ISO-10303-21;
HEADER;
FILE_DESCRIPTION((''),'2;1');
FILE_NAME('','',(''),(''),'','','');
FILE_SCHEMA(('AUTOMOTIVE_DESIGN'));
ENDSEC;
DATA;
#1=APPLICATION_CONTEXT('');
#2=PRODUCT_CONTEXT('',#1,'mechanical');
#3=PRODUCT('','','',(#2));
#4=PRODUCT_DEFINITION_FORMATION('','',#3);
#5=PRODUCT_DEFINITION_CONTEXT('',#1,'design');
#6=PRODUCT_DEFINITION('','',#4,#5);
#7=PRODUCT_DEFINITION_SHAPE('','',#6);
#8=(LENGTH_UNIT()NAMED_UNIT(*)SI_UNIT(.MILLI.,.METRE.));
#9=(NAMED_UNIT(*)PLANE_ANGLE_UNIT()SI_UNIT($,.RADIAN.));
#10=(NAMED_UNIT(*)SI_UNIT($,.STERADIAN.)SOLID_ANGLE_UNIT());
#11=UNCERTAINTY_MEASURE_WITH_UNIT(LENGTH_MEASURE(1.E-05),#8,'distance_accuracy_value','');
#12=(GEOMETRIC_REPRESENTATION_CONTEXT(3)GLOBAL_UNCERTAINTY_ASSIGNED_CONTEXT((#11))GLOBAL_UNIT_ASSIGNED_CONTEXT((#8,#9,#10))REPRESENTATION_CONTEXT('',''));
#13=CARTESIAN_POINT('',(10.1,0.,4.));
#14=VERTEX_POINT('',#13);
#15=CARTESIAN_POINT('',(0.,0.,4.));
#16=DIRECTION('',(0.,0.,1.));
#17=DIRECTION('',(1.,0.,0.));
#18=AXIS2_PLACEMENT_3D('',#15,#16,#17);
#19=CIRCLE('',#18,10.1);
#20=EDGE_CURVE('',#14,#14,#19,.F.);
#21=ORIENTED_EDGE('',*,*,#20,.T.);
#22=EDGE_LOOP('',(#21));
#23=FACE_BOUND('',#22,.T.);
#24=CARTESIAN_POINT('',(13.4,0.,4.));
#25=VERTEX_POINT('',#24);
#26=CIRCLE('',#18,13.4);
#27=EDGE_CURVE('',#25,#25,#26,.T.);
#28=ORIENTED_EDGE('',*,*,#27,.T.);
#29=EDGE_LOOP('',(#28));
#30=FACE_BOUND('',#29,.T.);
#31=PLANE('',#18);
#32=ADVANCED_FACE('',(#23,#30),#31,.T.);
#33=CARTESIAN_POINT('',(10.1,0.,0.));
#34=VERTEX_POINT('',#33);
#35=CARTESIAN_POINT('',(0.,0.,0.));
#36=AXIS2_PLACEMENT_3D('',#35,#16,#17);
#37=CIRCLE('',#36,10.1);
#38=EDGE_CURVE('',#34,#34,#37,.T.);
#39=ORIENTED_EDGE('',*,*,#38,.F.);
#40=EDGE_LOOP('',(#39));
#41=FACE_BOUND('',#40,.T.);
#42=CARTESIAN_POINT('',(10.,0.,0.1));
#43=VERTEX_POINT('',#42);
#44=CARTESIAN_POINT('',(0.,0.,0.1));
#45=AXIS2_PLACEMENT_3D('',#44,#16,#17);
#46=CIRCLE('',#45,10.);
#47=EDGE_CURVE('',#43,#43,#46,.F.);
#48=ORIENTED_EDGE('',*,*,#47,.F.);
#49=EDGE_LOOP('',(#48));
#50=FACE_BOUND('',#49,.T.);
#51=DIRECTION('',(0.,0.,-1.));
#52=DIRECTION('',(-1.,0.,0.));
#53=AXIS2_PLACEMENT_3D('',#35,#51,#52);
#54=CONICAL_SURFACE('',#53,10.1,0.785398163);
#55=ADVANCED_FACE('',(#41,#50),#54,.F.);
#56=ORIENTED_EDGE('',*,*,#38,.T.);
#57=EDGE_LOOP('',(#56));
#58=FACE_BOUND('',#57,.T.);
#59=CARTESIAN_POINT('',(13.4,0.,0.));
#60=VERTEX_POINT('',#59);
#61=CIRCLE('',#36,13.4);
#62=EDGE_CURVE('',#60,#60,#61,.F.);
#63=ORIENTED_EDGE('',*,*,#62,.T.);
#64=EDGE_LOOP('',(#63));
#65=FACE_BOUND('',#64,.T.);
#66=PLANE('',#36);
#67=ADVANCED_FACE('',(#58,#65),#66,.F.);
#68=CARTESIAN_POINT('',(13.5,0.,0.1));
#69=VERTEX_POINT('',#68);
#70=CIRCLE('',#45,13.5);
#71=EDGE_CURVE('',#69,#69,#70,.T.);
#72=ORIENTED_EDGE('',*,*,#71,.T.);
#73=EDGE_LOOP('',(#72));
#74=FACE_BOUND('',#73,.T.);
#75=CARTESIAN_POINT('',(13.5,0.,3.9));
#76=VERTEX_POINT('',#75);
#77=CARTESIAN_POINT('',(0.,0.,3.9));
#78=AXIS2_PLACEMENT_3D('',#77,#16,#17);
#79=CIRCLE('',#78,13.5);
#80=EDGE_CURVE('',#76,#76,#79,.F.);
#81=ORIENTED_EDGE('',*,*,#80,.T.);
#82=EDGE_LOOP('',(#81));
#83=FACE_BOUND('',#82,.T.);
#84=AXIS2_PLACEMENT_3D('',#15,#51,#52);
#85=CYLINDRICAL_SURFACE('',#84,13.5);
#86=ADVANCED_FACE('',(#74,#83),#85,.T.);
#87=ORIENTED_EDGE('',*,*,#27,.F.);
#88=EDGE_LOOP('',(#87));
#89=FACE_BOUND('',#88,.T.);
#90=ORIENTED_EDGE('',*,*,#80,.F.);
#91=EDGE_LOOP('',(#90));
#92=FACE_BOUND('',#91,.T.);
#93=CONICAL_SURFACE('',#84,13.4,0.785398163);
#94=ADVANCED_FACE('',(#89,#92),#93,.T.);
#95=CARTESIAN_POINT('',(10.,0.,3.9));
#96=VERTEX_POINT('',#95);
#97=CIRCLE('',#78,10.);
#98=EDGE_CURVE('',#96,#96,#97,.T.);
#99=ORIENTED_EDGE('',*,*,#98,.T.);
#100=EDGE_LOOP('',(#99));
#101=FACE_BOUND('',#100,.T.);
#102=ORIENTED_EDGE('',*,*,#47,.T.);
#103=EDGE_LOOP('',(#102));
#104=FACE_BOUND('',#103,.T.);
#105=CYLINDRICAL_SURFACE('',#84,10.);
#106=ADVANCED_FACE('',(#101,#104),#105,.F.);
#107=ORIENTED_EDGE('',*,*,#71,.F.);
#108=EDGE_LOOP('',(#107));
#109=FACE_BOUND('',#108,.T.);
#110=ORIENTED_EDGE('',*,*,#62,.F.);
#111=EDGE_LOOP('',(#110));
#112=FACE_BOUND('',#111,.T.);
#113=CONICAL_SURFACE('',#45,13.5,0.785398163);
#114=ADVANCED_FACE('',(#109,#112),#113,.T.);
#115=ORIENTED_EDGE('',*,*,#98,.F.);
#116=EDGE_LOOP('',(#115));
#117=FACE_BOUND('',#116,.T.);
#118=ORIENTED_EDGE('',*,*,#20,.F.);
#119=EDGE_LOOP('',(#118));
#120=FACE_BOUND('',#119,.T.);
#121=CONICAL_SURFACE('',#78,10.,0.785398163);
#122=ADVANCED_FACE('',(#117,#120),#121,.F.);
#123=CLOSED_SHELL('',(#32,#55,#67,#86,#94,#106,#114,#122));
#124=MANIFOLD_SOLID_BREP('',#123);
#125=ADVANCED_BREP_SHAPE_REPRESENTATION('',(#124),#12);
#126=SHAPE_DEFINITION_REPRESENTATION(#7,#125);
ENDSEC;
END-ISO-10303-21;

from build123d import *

# Parameters (mm, degrees)
SKETCH_1_R      = 13.5
SKETCH_1_R_2    = 10
EXTRUDE_1_DEPTH = 4
CHAMFER_1_SIZE  = 0.1


with BuildPart() as part:
    # 草图1 → 凸台-拉伸1 (new body)
    with BuildSketch(Plane.XY):
        Circle(SKETCH_1_R)
        Circle(SKETCH_1_R_2, mode=Mode.SUBTRACT)
    extrude(amount=EXTRUDE_1_DEPTH)

    # 倒角1
    chamfer_1_edges = [part.edges().sort_by_distance(p)[0] for p in [
        (-13.5, 0, 0),
        (-13.5, 0, 4),
        (-10, 0, 0),
        (-10, 0, 4),
    ]]
    chamfer(chamfer_1_edges, length=CHAMFER_1_SIZE)


solid = part.part
